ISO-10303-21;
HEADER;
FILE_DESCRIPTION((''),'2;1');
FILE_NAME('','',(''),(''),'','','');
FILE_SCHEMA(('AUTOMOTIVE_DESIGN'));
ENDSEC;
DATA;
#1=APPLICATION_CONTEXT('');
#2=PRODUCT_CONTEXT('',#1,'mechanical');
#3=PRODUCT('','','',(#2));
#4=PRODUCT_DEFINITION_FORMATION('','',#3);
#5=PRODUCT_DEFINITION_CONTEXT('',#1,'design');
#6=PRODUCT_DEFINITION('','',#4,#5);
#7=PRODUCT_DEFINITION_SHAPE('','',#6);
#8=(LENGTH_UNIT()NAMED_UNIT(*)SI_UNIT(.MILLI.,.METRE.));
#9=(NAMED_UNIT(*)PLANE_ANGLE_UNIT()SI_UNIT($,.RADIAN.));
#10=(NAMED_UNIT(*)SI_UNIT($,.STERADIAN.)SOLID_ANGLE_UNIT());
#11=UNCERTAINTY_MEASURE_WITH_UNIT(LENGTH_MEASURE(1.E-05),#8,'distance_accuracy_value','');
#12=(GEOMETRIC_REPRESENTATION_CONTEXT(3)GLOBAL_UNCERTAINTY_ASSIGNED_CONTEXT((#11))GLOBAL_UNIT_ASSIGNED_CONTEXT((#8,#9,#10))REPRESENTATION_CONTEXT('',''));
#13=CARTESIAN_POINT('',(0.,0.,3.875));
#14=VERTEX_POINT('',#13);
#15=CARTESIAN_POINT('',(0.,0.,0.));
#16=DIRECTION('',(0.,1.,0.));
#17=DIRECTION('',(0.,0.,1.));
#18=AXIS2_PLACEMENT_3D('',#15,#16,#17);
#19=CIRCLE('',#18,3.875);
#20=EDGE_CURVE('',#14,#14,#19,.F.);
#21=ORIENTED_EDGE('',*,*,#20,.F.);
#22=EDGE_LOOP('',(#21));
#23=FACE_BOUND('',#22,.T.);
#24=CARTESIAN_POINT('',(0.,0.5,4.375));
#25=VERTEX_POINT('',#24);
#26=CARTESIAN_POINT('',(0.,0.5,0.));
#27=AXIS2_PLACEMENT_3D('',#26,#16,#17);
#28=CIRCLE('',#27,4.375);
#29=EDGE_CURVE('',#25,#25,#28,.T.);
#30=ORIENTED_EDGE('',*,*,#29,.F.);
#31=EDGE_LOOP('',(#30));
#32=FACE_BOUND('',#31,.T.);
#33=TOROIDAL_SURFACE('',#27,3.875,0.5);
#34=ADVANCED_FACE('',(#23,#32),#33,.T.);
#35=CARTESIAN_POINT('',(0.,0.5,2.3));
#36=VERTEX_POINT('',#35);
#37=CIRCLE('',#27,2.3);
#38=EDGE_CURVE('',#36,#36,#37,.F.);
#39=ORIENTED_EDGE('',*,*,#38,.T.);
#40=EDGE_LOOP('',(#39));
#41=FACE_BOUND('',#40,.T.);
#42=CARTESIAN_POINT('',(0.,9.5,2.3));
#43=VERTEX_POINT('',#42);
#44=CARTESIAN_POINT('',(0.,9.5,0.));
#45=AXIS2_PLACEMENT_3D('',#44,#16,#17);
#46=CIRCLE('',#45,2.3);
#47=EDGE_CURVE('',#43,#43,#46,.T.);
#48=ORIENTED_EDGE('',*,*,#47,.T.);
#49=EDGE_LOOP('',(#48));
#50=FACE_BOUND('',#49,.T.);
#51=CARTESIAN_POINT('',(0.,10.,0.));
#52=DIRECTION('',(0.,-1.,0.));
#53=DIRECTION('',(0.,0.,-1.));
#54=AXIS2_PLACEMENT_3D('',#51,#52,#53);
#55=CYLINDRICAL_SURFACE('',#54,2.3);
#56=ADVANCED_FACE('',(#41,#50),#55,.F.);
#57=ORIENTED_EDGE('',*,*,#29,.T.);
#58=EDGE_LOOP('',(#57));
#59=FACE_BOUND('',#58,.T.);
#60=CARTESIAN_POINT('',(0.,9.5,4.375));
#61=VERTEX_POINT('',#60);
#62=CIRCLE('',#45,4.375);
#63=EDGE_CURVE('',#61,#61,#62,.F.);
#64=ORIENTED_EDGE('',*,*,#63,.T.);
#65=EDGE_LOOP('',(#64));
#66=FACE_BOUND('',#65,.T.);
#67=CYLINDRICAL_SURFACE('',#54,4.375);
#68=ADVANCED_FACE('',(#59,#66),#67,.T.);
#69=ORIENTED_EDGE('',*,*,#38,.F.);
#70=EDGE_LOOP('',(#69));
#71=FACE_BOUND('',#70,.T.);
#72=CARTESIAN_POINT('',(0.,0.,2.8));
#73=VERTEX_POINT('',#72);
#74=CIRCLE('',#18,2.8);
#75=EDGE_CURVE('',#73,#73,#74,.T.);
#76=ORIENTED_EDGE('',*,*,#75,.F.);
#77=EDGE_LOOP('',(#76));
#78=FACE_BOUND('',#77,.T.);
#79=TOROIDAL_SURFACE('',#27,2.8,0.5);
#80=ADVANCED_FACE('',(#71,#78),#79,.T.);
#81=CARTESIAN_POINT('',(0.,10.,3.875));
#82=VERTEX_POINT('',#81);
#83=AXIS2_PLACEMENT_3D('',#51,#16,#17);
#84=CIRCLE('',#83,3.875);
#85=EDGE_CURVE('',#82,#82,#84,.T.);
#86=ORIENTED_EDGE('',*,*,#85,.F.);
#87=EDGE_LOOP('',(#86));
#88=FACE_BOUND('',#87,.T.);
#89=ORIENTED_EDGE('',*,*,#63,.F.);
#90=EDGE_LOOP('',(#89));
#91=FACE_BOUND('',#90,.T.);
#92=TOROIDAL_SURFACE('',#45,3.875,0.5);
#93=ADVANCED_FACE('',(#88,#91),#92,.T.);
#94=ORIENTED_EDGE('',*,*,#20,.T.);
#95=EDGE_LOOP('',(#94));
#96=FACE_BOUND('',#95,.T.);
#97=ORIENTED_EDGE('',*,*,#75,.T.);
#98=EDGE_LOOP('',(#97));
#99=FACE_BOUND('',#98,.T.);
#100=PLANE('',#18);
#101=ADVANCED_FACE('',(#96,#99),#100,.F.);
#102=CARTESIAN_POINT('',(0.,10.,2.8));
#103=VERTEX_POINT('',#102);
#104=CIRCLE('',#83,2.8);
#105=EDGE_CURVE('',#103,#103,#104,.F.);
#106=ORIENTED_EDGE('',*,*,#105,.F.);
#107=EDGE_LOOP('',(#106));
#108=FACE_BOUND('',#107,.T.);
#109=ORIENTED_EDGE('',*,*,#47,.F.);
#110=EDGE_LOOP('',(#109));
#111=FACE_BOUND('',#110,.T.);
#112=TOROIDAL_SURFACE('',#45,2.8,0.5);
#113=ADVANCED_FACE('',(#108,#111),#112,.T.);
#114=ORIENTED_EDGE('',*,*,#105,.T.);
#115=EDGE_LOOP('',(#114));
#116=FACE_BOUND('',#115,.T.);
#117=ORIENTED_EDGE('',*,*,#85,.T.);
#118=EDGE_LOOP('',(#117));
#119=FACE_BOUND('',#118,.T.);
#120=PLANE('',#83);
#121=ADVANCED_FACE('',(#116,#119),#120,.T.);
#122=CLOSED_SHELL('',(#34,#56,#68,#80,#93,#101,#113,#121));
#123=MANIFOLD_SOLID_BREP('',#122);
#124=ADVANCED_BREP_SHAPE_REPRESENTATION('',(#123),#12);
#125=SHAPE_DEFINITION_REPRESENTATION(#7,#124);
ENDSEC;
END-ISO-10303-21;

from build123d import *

# Parameters (mm, degrees)
SKETCH1_R           = 4.375
SKETCH1_R_2         = 2.3
BOSS_EXTRUDE1_DEPTH = 10
FILLET1_R           = 0.5


with BuildPart() as part:
    # Sketch1 → Boss-Extrude1 (new body)
    with BuildSketch(Plane(origin=(0, 0, 0), x_dir=(1, 0, 0), z_dir=(0, 1, 0))):
        with Locations(Location((0, 0, 0), (0, 0, 270))):  # turned: the seam where the file's is
            Circle(SKETCH1_R)
        with Locations(Location((0, 0, 0), (0, 0, 270))):  # turned: the seam where the file's is
            Circle(SKETCH1_R_2, mode=Mode.SUBTRACT)
    extrude(amount=BOSS_EXTRUDE1_DEPTH)

    # Fillet1
    fillet1_edges = [part.edges().sort_by_distance(p)[0] for p in [
        (0, 0, -4.375),
        (0, 10, -4.375),
        (0, 0, -2.3),
        (0, 10, -2.3),
    ]]
    fillet(fillet1_edges, radius=FILLET1_R)


solid = part.part
